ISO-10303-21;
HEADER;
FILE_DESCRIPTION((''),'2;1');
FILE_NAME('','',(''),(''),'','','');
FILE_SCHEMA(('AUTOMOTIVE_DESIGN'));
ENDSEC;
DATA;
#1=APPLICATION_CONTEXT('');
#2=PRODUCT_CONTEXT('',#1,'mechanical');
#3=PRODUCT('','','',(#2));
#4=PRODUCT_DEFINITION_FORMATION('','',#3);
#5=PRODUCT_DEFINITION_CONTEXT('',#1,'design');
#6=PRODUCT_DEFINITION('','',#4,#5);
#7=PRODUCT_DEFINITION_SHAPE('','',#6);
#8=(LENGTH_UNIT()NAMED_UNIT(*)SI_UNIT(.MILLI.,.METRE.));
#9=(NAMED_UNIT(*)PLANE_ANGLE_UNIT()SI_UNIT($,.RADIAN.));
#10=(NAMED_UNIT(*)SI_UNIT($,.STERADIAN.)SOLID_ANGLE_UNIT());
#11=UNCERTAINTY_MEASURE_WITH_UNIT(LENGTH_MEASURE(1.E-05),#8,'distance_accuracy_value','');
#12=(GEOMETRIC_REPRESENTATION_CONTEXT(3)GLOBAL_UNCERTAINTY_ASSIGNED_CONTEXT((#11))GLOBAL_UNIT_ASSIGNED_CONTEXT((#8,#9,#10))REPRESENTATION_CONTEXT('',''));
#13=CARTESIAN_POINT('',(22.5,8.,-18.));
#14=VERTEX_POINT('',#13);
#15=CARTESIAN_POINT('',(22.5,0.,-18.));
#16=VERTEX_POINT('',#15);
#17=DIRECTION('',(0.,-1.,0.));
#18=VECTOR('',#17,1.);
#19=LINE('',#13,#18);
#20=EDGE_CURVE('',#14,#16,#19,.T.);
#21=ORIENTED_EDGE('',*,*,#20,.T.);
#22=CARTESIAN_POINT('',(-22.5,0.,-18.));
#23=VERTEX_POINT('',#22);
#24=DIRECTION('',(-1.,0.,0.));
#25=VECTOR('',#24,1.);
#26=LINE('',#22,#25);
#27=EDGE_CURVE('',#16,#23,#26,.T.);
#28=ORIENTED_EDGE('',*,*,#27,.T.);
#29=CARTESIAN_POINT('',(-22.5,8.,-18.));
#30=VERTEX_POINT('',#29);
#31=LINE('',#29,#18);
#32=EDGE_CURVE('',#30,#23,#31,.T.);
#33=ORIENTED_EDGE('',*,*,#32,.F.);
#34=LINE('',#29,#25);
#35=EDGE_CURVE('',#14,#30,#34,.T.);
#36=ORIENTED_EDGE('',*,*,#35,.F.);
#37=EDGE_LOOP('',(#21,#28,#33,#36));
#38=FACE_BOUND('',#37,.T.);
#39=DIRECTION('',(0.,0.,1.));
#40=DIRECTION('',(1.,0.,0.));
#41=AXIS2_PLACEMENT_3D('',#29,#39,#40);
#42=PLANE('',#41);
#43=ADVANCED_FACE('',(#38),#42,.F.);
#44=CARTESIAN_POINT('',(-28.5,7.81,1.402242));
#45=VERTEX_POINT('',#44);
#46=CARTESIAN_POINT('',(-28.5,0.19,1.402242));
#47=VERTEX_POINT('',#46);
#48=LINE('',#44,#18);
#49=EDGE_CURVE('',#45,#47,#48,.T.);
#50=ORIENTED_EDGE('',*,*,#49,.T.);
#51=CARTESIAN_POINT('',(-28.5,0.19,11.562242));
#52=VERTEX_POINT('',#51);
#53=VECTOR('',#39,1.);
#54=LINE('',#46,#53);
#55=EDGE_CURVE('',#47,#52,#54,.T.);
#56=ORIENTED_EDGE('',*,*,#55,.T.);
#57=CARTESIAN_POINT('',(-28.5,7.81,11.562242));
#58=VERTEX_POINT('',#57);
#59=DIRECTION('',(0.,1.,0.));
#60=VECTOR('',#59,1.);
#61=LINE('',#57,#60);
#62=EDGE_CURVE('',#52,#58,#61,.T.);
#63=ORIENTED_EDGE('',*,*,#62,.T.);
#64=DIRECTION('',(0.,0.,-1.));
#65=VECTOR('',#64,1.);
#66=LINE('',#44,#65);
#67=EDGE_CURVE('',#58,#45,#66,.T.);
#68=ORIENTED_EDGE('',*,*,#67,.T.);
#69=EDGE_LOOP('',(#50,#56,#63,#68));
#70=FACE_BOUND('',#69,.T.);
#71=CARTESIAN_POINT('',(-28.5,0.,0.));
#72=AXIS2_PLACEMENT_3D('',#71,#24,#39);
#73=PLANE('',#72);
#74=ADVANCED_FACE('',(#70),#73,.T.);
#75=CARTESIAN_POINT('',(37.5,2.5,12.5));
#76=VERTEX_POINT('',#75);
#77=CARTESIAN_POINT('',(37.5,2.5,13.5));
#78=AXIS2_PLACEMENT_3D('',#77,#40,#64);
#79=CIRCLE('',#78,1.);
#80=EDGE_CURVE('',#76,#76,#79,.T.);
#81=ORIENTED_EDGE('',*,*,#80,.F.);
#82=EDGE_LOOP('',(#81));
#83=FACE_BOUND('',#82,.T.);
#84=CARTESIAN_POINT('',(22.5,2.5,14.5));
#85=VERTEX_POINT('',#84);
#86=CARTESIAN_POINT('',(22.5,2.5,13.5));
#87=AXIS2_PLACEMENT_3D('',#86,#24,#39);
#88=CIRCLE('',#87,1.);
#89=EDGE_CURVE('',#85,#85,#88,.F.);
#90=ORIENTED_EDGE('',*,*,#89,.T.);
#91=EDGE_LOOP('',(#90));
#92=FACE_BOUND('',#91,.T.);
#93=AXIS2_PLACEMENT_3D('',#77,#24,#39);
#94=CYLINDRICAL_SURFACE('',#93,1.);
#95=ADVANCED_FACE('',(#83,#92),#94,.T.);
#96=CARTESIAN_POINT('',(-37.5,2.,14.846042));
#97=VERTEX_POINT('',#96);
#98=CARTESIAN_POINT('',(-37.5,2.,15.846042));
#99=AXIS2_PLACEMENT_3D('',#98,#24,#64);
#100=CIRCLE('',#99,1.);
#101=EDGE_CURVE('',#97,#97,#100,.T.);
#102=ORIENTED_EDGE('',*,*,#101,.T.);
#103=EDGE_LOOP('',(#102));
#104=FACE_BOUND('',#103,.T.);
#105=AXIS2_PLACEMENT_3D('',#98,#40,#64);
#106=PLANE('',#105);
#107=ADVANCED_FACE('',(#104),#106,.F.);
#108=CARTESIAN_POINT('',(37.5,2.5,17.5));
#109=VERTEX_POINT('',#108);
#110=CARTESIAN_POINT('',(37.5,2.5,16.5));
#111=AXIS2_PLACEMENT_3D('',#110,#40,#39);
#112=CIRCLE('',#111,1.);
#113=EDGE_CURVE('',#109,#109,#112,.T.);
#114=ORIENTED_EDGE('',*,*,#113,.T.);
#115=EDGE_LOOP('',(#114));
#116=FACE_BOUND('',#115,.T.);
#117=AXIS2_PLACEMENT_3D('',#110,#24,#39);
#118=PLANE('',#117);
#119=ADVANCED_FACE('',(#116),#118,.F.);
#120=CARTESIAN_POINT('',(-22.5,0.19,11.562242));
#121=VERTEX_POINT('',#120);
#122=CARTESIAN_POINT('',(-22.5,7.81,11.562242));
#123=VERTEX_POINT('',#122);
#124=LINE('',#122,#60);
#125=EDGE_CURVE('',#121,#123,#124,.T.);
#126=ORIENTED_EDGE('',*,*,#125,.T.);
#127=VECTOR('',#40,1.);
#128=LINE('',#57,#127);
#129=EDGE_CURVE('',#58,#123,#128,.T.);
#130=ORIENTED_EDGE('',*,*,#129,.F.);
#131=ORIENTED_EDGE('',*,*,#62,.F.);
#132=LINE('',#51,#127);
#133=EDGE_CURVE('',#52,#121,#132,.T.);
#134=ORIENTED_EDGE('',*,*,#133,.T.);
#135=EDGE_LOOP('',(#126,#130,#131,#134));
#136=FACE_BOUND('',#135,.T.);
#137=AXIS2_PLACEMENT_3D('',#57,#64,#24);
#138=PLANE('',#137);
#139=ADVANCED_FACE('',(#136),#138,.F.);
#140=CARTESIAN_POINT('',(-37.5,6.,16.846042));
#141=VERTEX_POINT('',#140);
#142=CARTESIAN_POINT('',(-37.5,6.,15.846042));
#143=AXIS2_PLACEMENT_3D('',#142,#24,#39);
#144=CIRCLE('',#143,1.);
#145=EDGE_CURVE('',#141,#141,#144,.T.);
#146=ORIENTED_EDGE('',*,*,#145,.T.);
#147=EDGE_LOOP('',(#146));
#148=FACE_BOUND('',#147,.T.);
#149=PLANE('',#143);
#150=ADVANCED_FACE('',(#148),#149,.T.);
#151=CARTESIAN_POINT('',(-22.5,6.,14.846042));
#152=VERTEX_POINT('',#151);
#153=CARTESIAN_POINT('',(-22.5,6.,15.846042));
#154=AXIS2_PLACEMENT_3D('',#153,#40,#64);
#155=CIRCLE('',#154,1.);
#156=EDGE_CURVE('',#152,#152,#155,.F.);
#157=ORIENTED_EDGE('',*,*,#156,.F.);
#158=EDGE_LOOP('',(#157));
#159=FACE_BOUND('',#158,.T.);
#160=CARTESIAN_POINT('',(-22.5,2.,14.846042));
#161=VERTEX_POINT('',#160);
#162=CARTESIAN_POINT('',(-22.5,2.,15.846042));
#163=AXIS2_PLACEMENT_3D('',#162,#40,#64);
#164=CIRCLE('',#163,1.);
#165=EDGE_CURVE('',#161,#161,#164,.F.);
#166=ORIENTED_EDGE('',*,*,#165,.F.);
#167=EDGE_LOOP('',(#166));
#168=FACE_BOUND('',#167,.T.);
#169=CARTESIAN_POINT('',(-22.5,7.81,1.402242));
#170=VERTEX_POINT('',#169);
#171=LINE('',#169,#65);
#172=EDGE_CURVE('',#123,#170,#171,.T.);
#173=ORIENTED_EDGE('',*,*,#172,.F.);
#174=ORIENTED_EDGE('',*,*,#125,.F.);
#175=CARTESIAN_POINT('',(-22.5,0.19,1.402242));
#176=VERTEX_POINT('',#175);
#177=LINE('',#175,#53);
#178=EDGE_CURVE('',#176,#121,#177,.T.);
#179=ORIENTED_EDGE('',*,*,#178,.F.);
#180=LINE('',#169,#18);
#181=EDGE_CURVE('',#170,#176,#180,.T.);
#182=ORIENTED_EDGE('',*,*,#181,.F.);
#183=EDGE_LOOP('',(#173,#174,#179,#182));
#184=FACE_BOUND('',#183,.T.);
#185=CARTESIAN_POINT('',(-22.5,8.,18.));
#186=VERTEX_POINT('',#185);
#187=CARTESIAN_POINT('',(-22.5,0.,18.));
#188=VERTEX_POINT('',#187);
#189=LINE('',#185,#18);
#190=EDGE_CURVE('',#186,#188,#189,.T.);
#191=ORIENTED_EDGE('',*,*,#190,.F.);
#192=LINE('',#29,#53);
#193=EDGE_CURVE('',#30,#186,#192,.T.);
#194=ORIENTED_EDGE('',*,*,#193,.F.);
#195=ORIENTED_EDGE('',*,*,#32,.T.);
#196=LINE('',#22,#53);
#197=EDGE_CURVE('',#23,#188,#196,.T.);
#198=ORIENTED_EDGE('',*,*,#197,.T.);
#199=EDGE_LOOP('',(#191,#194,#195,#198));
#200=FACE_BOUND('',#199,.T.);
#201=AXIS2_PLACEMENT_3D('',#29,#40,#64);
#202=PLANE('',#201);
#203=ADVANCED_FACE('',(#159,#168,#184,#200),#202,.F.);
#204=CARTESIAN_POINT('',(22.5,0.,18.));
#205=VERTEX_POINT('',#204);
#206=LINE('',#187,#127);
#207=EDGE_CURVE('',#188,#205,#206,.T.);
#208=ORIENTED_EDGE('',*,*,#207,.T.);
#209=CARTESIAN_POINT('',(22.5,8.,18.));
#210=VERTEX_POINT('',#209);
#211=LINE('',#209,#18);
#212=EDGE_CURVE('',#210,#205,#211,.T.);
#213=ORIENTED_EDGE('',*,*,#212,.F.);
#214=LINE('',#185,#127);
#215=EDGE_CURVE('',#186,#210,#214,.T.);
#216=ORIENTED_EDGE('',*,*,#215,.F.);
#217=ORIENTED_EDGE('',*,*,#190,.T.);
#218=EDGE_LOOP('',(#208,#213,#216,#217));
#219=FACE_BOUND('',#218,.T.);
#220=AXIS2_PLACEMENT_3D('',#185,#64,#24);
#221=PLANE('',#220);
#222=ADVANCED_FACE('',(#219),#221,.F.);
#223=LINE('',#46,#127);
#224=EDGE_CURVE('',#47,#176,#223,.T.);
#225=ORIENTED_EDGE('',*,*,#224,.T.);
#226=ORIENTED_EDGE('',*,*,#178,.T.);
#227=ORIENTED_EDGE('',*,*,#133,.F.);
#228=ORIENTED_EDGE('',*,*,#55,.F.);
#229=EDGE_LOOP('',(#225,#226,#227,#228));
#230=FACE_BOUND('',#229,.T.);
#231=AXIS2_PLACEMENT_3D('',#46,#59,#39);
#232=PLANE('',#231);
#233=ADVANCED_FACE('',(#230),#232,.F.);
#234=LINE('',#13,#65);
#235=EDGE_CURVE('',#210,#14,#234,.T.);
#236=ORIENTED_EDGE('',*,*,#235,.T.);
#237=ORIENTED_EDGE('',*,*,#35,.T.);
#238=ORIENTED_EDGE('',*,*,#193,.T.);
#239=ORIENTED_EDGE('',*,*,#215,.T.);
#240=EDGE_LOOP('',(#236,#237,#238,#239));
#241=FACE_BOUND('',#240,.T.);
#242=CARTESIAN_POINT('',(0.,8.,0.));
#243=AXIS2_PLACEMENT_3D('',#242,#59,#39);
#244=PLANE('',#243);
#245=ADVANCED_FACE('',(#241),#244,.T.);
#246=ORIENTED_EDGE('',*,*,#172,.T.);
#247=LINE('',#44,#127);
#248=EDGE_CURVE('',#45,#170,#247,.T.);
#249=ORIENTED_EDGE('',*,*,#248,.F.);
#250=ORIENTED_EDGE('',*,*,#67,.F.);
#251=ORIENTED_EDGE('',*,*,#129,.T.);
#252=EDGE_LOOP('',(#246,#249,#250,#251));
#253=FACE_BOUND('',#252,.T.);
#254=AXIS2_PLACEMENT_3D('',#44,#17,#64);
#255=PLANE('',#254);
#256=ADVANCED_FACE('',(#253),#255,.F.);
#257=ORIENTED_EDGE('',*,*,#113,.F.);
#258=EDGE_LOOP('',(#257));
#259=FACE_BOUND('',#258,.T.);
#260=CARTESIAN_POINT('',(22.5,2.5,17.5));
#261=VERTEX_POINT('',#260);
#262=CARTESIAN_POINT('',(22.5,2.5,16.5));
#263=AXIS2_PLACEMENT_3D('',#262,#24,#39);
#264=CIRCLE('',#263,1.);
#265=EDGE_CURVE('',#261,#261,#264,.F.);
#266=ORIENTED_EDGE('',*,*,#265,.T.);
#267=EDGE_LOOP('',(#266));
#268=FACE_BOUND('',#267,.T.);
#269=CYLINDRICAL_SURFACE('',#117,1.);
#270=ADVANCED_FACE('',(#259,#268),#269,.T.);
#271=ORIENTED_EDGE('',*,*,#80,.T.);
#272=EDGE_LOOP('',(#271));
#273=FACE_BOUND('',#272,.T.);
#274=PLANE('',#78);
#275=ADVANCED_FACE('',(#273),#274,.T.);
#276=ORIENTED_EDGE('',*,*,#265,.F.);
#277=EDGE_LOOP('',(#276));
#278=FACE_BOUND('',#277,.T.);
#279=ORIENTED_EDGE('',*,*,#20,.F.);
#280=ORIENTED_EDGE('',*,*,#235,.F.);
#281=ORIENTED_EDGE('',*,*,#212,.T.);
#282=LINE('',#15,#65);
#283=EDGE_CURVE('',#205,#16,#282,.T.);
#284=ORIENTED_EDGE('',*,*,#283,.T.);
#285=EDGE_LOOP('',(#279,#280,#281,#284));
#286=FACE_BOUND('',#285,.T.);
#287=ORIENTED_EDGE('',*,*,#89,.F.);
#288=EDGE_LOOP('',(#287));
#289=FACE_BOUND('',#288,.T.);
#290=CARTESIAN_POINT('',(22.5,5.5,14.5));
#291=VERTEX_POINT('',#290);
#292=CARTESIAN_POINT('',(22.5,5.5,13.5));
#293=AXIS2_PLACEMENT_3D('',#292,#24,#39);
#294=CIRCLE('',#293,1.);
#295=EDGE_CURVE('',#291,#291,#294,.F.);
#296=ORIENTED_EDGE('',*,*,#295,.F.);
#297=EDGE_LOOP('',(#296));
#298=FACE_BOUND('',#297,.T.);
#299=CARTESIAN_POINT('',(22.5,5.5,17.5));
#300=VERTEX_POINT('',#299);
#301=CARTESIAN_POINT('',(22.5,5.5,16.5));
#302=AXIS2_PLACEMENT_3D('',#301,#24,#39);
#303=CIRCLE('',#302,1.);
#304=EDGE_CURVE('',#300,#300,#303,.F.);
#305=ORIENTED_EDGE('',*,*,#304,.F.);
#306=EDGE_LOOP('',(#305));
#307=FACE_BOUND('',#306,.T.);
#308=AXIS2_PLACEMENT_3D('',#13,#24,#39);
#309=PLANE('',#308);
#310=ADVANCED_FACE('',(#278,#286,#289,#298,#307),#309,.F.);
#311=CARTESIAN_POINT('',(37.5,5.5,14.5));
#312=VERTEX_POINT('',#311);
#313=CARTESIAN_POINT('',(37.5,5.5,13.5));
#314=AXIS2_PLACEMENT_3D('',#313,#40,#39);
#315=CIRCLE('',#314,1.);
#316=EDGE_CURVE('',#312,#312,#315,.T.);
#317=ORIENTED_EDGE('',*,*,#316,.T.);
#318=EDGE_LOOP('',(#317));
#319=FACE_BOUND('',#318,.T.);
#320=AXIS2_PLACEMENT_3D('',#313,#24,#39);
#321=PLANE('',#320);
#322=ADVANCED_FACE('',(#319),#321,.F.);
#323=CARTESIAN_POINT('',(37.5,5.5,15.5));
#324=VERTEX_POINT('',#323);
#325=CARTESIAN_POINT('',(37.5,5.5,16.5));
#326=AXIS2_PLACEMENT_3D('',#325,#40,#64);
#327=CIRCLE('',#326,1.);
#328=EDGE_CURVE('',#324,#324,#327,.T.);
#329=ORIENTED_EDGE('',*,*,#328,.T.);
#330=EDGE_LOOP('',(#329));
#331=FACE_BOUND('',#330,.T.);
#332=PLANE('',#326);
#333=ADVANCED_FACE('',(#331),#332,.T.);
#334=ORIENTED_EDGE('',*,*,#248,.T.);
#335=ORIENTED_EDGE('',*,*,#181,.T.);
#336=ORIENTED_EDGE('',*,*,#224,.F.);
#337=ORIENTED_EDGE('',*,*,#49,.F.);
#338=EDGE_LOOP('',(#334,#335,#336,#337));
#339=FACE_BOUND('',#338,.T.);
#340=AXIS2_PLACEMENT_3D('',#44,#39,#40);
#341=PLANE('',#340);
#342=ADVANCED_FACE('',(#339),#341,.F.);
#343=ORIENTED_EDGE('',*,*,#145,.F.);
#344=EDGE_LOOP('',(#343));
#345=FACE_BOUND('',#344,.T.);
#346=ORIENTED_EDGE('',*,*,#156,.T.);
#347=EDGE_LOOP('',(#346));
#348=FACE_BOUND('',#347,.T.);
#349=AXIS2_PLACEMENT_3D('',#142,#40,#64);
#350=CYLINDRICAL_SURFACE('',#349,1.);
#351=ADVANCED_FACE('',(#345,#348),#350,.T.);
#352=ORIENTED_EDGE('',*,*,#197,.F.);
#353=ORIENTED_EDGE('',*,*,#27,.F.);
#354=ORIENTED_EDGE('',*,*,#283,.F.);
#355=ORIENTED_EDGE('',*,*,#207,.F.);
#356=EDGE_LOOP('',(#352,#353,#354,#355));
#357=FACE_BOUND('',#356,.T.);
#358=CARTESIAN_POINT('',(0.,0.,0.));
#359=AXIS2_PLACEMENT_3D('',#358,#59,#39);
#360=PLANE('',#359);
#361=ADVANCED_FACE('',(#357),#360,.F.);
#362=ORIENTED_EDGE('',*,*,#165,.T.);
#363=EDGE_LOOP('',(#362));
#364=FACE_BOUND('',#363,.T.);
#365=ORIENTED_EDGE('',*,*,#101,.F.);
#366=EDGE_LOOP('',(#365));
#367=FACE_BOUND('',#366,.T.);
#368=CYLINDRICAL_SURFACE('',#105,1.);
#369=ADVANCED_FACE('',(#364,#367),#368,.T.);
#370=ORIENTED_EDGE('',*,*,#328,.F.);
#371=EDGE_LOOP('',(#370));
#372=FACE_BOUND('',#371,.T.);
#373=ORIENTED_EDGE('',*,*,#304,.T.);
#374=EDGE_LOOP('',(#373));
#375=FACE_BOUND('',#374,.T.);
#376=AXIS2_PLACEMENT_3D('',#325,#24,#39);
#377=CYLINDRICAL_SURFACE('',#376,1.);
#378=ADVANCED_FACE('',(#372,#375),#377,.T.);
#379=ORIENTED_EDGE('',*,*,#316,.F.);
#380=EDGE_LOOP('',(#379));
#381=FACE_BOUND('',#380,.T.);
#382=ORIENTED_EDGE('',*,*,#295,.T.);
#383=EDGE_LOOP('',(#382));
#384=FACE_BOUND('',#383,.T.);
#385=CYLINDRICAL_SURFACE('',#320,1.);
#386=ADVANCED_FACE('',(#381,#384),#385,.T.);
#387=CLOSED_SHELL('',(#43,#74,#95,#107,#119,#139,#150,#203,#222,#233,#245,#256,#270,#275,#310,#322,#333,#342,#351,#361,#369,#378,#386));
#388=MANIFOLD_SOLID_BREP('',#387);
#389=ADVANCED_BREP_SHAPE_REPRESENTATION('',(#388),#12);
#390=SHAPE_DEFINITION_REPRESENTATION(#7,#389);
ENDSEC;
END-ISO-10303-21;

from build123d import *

# Parameters (mm, degrees)
ESQUISSE1_W        = 45
ESQUISSE1_H        = 36
BOSS_EXTRU_1_DEPTH = 8
ESQUISSE2_W        = 10.16
ESQUISSE2_H        = 7.62
BOSS_EXTRU_2_DEPTH = 6
ESQUISSE3_R        = 1
BOSS_EXTRU_3_DEPTH = 15
ESQUISSE4_R        = 1
BOSS_EXTRU_4_DEPTH = 15


with BuildPart() as part:
    # Esquisse1 → Boss.-Extru.1 (new body)
    with BuildSketch(Plane(origin=(0, 0, 0), x_dir=(1, 0, 0), z_dir=(0, 1, 0))):
        Rectangle(ESQUISSE1_W, ESQUISSE1_H)
    extrude(amount=BOSS_EXTRU_1_DEPTH)

    # Esquisse2 → Boss.-Extru.2 (add)
    with BuildSketch(Plane.ZY.offset(22.5)):
        with Locations((6.482241764, 4)):
            Rectangle(ESQUISSE2_W, ESQUISSE2_H)
    extrude(amount=BOSS_EXTRU_2_DEPTH)

    # Esquisse3 → Boss.-Extru.3 (add)
    with BuildSketch(Plane.ZY.offset(22.5)):
        with Locations(Location((15.846041743, 6, 0), (0, 0, 180))):
            Circle(ESQUISSE3_R)
        with Locations(Location((15.846041743, 2, 0), (0, 0, 180))):
            Circle(ESQUISSE3_R)
    extrude(amount=BOSS_EXTRU_3_DEPTH)

    # Esquisse4 → Boss.-Extru.4 (add)
    with BuildSketch(Plane(origin=(22.5, 0, 0), x_dir=(0, 0, -1), z_dir=(1, 0, 0))):
        with Locations(Location((-16.5, 5.5, 0), (0, 0, 180))):
            Circle(ESQUISSE4_R)
        with Locations(Location((-16.5, 2.5, 0), (0, 0, 180))):
            Circle(ESQUISSE4_R)
        with Locations(Location((-13.5, 2.5, 0), (0, 0, 180))):
            Circle(ESQUISSE4_R)
        with Locations(Location((-13.5, 5.5, 0), (0, 0, 180))):
            Circle(ESQUISSE4_R)
    extrude(amount=BOSS_EXTRU_4_DEPTH)


solid = part.part
